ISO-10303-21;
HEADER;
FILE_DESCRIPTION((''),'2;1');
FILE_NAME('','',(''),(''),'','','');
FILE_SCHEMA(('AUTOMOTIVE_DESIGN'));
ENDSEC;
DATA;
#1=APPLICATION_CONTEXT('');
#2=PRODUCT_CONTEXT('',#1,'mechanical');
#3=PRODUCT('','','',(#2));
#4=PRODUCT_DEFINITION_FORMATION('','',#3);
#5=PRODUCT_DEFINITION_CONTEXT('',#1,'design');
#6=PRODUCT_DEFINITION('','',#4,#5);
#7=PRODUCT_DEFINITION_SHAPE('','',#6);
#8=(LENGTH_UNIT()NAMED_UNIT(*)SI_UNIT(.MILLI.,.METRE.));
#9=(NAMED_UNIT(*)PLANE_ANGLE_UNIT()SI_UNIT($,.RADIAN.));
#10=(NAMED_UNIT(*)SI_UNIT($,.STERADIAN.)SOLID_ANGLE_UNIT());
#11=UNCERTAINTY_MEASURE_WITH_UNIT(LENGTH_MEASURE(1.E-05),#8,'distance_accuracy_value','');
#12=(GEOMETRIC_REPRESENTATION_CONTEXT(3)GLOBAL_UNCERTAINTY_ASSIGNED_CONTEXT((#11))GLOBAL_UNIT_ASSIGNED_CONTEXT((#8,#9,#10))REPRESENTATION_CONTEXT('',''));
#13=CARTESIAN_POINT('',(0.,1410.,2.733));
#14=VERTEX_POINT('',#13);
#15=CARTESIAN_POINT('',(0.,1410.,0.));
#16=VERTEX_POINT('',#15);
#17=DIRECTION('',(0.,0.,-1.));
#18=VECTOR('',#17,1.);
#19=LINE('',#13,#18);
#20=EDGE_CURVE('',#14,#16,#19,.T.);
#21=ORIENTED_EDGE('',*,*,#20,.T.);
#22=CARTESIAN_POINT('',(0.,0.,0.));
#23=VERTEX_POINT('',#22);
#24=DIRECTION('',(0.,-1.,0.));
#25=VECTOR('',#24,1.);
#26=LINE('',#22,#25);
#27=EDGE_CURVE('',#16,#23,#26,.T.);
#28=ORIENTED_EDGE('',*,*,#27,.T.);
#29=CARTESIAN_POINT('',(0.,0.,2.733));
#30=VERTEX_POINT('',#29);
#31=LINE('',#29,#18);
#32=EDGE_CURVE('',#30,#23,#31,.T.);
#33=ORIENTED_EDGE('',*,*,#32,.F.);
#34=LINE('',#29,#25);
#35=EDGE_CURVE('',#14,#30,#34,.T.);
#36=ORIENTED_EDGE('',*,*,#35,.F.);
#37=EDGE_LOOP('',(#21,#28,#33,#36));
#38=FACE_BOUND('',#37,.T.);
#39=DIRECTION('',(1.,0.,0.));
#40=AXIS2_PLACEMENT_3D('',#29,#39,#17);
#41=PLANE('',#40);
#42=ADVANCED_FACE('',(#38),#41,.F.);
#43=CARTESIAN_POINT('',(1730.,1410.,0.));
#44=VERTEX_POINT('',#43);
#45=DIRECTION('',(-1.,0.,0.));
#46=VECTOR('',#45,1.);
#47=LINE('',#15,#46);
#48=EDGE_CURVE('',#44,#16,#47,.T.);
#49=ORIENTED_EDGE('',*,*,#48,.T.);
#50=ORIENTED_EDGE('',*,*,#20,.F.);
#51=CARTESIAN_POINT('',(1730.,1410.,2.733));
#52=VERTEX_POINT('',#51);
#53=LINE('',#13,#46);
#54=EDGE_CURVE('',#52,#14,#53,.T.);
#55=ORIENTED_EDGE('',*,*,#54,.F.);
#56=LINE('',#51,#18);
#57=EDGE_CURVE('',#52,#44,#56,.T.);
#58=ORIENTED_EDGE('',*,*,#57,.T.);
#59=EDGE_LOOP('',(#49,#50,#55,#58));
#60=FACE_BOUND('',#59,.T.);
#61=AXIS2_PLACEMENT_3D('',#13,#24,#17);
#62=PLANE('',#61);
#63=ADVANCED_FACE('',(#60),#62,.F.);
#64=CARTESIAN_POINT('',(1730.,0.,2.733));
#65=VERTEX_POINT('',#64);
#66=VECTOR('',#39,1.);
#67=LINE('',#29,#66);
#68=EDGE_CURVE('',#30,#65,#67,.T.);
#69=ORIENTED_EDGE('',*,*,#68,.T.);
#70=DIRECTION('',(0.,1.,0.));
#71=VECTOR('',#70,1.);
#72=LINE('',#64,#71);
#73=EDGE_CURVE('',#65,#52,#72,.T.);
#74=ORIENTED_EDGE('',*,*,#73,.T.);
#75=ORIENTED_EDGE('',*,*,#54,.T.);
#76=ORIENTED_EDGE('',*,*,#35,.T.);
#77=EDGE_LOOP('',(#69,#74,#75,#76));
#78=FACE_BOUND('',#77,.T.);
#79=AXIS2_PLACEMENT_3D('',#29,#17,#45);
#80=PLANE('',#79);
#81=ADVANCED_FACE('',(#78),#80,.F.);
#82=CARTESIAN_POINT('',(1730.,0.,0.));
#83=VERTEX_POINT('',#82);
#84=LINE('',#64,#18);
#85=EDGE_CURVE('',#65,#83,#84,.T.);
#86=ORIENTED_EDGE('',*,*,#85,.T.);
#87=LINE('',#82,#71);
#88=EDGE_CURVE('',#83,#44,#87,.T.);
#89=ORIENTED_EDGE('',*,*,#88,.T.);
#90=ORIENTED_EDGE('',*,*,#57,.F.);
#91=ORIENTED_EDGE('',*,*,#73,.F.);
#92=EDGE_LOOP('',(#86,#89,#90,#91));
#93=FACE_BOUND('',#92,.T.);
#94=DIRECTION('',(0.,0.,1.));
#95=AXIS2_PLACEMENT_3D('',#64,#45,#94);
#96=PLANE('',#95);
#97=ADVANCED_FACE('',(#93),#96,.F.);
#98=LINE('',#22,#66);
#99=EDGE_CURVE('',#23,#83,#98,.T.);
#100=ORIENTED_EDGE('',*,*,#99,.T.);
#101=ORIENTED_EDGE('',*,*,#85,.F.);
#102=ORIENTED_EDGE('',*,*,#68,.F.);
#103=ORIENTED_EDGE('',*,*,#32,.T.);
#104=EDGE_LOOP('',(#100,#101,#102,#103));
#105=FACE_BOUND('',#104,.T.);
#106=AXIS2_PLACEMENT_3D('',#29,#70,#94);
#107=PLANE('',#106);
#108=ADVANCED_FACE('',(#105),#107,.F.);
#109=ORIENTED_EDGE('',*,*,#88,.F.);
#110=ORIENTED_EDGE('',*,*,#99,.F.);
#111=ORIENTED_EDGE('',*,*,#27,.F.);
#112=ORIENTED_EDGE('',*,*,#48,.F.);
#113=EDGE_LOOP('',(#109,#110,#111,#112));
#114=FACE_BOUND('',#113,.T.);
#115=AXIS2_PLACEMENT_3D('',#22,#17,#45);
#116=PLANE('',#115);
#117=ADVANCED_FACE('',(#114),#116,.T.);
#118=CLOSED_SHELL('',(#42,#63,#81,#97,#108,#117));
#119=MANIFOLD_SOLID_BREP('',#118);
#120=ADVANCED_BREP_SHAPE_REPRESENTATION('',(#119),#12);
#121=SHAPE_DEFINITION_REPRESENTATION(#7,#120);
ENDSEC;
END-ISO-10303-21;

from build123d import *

# Parameters (mm, degrees)
CROQUIS1_W              = 1730
CROQUIS1_H              = 1410
SALIENTE_EXTRUIR1_DEPTH = 2.733


with BuildPart() as part:
    # Croquis1 → Saliente-Extruir1 (new body)
    with BuildSketch(Plane.XY):
        with Locations((865, 705)):
            Rectangle(CROQUIS1_W, CROQUIS1_H)
    extrude(amount=SALIENTE_EXTRUIR1_DEPTH)


solid = part.part
